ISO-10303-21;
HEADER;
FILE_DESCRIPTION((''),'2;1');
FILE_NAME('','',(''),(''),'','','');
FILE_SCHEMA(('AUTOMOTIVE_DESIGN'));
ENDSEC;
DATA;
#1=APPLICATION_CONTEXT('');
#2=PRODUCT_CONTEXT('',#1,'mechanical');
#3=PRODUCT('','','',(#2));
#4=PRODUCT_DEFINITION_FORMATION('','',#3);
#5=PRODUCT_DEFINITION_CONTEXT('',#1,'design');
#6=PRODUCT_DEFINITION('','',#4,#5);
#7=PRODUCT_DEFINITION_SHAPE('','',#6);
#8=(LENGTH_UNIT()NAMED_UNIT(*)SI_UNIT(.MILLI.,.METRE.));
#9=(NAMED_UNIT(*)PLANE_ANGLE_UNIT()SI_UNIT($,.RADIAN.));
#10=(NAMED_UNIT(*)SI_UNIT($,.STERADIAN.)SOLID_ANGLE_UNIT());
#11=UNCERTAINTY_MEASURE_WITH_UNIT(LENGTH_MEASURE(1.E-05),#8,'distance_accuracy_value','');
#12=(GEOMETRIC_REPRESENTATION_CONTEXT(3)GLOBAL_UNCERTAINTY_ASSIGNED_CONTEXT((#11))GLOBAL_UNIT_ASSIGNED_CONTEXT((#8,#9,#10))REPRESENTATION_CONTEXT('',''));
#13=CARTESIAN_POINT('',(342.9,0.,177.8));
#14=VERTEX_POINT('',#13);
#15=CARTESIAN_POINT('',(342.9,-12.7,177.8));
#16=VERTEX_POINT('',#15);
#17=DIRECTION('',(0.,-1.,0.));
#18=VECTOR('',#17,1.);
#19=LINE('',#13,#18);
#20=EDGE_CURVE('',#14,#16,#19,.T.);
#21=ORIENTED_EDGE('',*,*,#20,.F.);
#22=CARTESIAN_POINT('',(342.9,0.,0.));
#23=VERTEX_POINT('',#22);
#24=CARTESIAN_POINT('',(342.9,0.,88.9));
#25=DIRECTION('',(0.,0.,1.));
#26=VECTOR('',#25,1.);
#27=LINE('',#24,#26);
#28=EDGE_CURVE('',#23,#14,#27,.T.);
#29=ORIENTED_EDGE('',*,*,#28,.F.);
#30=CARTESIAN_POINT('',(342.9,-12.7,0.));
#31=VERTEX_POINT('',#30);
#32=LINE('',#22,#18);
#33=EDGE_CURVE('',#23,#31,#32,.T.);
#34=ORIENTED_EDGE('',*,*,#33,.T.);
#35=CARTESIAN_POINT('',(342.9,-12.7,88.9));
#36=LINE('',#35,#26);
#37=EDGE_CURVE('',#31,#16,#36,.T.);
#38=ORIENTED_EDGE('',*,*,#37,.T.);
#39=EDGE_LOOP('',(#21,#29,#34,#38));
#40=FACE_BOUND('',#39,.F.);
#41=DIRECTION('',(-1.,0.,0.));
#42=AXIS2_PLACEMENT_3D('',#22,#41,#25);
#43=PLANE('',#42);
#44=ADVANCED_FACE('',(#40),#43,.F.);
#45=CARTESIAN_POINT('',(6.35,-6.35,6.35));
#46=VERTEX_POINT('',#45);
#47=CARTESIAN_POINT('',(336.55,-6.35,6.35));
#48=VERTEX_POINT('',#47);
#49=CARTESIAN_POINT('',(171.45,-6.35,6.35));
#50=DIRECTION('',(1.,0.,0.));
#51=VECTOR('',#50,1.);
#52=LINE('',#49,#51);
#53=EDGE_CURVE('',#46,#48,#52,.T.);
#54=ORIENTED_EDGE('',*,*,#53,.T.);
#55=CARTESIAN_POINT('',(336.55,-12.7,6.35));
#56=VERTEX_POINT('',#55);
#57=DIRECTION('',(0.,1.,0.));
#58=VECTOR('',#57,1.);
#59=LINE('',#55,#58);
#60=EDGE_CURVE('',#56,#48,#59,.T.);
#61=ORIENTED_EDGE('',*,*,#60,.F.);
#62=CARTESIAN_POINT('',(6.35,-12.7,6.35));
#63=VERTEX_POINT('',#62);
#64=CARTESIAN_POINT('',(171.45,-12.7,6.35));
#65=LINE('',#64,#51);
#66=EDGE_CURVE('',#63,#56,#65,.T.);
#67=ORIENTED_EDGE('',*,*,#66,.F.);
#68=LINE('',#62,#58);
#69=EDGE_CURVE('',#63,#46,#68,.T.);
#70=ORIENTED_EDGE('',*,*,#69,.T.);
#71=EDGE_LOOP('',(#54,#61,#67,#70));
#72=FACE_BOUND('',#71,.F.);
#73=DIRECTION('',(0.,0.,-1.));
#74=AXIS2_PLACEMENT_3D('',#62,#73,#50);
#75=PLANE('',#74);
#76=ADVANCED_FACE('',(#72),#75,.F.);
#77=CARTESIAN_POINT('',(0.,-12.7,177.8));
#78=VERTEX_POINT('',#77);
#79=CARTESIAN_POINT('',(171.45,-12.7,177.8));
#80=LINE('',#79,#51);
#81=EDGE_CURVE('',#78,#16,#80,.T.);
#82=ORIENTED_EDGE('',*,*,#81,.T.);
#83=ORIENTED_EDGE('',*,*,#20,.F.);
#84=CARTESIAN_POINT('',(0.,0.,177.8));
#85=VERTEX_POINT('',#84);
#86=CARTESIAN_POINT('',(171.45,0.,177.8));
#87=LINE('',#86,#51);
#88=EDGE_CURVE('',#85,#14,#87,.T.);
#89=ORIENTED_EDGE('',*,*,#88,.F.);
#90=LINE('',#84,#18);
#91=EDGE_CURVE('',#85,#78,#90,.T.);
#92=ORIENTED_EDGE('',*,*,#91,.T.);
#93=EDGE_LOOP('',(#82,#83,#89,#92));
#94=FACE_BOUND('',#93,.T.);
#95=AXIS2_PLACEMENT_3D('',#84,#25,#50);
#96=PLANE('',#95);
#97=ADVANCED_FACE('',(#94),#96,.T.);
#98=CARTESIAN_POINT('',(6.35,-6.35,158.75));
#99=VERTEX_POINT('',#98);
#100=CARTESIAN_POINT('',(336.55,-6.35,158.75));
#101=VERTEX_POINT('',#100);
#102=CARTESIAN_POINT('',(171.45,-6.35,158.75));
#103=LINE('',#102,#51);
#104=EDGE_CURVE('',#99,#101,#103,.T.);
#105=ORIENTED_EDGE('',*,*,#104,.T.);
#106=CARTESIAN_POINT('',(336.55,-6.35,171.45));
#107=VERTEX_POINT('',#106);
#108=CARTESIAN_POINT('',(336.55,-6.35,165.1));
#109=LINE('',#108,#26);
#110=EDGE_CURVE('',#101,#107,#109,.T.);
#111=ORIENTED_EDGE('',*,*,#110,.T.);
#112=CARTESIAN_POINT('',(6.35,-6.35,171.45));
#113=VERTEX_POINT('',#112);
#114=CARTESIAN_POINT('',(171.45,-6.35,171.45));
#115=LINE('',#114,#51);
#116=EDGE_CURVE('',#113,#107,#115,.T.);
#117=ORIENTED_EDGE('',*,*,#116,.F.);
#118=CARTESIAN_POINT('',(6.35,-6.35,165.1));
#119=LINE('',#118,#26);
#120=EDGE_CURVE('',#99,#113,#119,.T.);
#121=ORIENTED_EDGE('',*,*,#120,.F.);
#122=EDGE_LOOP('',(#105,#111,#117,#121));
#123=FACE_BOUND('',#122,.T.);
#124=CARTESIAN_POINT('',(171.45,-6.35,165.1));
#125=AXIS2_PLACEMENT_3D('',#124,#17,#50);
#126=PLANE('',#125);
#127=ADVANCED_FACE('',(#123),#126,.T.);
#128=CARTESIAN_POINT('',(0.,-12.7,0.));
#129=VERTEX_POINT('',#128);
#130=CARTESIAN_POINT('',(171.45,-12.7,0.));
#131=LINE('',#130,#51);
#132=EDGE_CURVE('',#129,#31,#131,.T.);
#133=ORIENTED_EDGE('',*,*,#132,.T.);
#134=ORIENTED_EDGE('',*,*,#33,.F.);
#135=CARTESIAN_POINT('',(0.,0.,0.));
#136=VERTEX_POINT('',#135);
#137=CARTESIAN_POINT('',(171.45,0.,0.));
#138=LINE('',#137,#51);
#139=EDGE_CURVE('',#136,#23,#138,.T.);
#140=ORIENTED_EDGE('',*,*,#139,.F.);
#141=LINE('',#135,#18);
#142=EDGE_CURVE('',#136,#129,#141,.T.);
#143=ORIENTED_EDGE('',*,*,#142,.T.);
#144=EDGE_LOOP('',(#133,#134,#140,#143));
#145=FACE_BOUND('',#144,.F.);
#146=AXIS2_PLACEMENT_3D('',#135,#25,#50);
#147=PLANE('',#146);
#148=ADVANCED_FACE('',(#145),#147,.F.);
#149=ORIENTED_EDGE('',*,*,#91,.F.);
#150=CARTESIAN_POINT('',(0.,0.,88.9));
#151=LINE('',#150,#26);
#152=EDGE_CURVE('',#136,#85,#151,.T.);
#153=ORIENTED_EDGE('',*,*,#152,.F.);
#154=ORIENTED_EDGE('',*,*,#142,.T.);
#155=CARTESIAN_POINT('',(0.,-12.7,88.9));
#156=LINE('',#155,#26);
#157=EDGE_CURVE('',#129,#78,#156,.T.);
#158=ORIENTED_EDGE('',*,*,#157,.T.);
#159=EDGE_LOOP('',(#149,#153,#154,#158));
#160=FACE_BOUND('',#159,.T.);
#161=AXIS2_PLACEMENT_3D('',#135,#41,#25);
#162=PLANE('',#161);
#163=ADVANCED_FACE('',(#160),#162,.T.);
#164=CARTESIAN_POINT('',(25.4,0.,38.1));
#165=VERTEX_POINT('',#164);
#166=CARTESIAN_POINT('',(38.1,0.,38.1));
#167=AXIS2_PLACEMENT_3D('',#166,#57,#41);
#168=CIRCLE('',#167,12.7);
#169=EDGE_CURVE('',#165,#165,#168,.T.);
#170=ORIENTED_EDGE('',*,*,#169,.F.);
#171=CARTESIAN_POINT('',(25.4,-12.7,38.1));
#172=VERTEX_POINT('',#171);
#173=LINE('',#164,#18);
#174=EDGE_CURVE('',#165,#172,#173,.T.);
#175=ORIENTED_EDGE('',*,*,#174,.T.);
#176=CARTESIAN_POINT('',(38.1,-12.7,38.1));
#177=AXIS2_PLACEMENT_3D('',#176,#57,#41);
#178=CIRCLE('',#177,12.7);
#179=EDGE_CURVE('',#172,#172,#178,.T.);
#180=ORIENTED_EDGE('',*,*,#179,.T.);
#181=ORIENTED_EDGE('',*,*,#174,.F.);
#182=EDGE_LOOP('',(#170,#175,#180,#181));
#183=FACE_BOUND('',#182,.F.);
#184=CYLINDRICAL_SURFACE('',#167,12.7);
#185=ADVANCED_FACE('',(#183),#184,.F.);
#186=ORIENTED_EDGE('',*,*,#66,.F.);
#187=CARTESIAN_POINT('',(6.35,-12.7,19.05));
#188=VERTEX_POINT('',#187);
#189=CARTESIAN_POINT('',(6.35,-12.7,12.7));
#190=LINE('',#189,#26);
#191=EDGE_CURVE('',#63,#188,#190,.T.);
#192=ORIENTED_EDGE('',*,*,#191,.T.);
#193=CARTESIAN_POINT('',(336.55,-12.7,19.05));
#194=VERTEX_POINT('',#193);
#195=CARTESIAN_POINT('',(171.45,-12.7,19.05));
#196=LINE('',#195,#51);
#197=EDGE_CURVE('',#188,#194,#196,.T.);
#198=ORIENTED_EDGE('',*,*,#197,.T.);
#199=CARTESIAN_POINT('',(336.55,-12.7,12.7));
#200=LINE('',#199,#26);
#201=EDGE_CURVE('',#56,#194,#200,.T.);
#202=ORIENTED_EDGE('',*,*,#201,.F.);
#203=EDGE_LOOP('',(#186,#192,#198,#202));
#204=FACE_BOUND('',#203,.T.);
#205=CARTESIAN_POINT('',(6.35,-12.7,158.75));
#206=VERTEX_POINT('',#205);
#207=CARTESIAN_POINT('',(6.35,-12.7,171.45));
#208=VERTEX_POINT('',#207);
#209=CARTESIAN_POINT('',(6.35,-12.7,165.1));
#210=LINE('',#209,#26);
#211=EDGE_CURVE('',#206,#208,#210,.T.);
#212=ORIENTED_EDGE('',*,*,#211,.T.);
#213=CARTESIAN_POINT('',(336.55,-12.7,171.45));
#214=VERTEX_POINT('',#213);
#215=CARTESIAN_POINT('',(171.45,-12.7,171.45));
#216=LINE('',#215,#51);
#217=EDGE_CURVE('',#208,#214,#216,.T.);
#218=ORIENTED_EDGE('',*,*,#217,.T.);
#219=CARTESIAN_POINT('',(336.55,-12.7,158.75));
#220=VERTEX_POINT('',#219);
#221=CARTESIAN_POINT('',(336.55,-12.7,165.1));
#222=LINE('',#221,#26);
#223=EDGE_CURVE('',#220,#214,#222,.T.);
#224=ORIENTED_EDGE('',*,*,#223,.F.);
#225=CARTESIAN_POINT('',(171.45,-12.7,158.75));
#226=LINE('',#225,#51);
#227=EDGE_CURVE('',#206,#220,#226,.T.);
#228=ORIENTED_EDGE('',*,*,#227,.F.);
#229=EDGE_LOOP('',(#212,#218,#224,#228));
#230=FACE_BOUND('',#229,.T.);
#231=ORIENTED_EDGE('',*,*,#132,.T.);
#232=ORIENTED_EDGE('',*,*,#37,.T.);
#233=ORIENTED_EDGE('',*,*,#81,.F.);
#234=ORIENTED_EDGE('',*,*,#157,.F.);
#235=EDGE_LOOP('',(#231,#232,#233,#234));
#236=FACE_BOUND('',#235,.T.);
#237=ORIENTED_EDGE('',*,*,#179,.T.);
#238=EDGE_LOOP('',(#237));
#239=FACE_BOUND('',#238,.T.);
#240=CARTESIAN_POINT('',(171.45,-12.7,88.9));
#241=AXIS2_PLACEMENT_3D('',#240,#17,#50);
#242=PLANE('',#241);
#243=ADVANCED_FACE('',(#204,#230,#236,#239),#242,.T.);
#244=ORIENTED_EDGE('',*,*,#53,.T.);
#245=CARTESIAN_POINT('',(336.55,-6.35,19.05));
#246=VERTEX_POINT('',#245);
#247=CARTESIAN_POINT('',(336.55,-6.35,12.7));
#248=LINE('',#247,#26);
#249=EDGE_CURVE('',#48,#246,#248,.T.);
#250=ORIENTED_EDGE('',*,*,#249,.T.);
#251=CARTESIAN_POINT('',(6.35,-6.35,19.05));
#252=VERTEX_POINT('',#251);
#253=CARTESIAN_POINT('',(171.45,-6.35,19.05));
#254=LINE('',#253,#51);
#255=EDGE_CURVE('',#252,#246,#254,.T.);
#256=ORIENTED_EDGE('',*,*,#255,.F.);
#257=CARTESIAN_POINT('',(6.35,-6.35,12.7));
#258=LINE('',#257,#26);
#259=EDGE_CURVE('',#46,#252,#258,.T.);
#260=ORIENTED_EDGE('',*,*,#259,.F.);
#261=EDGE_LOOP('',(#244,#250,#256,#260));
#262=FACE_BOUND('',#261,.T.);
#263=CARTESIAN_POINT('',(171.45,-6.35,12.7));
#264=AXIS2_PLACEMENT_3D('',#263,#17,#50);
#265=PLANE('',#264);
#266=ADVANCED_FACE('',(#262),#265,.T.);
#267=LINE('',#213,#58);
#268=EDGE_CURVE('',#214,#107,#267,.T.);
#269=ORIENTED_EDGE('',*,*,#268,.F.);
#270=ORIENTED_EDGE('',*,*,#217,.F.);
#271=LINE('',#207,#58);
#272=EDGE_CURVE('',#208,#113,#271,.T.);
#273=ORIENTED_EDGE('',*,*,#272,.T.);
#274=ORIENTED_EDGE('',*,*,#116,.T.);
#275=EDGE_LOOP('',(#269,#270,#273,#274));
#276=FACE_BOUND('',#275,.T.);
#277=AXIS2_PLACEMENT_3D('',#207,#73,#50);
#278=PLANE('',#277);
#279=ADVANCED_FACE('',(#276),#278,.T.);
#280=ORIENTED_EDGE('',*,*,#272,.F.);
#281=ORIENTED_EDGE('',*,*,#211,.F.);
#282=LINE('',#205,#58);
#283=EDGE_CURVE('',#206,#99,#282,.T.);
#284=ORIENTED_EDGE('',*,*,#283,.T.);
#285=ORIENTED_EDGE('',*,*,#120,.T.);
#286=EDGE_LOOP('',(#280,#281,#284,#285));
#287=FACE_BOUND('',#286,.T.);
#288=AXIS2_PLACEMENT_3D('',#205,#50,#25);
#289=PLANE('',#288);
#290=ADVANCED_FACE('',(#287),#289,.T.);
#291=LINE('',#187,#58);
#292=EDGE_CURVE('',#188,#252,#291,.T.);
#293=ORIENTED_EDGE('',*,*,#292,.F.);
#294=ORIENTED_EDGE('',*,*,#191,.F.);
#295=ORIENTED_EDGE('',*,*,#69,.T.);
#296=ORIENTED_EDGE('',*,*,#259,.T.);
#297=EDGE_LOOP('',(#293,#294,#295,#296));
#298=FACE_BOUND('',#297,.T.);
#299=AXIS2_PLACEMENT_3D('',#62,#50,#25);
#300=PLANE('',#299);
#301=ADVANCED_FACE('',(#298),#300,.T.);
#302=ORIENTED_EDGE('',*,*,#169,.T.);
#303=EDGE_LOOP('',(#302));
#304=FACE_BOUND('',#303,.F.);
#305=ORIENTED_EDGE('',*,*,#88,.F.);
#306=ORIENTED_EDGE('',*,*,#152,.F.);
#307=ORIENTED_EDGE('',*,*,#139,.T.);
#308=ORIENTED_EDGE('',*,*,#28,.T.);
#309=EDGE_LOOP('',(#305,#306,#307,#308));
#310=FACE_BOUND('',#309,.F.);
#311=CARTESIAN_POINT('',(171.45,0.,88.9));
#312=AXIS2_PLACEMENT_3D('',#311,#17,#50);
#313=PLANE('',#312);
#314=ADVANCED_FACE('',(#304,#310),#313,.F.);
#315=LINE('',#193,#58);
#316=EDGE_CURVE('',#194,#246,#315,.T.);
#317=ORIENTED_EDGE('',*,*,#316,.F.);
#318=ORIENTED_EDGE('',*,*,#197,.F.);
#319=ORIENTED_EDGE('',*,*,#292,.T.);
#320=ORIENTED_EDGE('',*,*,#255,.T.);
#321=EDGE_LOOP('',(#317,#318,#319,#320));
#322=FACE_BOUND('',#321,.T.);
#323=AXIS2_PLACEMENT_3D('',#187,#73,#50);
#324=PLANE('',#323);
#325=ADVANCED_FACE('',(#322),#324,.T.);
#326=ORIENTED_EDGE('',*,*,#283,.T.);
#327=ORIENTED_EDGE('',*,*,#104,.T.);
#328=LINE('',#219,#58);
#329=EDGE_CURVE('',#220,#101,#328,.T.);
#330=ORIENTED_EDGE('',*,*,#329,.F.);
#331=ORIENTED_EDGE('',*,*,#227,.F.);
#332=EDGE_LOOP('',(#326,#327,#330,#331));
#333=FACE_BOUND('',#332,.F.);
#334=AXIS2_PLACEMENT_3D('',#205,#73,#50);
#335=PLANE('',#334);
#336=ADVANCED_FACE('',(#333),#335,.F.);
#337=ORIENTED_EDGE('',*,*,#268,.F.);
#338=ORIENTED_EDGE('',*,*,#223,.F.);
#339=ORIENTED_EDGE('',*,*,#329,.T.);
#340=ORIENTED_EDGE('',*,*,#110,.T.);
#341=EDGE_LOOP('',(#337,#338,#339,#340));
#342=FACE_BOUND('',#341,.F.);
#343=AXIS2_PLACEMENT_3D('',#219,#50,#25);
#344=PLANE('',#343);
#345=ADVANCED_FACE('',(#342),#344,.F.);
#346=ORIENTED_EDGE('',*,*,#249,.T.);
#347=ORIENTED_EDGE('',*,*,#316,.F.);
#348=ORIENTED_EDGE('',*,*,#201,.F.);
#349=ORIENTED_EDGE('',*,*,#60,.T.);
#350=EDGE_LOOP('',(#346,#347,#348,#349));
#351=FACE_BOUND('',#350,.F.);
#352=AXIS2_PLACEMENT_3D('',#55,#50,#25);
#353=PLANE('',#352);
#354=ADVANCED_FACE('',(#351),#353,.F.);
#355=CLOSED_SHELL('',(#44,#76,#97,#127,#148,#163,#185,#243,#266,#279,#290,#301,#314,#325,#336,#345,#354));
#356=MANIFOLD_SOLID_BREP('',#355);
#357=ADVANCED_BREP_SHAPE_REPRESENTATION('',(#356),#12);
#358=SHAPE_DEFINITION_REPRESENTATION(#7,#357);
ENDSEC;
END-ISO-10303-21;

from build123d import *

# Parameters (mm, degrees)
F0_W     = 342.9
F0_H     = 177.8
F1_DEPTH = 12.7
F2_W     = 330.2
F2_H     = 12.7
F3_DEPTH = 6.35
F4_W     = 330.2
F4_H     = 12.7
F5_DEPTH = 6.35
F6_R     = 12.7
F7_DEPTH = 25.4


with BuildPart() as f1:
    # F0 (on Front) → F1 (new body)
    with BuildSketch(Plane.XZ):
        with Locations((171.45, 88.9)):
            Rectangle(F0_W, F0_H)
    extrude(amount=F1_DEPTH)

    # F2 (on face) → F3 (cut)
    with BuildSketch(Plane.XZ.offset(12.7)):
        with Locations((171.45, 12.7)):
            Rectangle(F2_W, F2_H)
    extrude(amount=-F3_DEPTH, mode=Mode.SUBTRACT)

    # F4 (on face) → F5 (cut)
    with BuildSketch(Plane.XZ.offset(12.7)):
        with Locations((171.45, 165.1)):
            Rectangle(F4_W, F4_H)
    extrude(amount=-F5_DEPTH, mode=Mode.SUBTRACT)

    # F6 (on face) → F7 (cut)
    with BuildSketch(Plane(origin=(0, 0, 0), x_dir=(-1, 0, 0), z_dir=(0, 1, 0))):
        with Locations((-38.1, 38.1)):
            Circle(F6_R)
    extrude(amount=-F7_DEPTH, mode=Mode.SUBTRACT)


solid = f1.part
